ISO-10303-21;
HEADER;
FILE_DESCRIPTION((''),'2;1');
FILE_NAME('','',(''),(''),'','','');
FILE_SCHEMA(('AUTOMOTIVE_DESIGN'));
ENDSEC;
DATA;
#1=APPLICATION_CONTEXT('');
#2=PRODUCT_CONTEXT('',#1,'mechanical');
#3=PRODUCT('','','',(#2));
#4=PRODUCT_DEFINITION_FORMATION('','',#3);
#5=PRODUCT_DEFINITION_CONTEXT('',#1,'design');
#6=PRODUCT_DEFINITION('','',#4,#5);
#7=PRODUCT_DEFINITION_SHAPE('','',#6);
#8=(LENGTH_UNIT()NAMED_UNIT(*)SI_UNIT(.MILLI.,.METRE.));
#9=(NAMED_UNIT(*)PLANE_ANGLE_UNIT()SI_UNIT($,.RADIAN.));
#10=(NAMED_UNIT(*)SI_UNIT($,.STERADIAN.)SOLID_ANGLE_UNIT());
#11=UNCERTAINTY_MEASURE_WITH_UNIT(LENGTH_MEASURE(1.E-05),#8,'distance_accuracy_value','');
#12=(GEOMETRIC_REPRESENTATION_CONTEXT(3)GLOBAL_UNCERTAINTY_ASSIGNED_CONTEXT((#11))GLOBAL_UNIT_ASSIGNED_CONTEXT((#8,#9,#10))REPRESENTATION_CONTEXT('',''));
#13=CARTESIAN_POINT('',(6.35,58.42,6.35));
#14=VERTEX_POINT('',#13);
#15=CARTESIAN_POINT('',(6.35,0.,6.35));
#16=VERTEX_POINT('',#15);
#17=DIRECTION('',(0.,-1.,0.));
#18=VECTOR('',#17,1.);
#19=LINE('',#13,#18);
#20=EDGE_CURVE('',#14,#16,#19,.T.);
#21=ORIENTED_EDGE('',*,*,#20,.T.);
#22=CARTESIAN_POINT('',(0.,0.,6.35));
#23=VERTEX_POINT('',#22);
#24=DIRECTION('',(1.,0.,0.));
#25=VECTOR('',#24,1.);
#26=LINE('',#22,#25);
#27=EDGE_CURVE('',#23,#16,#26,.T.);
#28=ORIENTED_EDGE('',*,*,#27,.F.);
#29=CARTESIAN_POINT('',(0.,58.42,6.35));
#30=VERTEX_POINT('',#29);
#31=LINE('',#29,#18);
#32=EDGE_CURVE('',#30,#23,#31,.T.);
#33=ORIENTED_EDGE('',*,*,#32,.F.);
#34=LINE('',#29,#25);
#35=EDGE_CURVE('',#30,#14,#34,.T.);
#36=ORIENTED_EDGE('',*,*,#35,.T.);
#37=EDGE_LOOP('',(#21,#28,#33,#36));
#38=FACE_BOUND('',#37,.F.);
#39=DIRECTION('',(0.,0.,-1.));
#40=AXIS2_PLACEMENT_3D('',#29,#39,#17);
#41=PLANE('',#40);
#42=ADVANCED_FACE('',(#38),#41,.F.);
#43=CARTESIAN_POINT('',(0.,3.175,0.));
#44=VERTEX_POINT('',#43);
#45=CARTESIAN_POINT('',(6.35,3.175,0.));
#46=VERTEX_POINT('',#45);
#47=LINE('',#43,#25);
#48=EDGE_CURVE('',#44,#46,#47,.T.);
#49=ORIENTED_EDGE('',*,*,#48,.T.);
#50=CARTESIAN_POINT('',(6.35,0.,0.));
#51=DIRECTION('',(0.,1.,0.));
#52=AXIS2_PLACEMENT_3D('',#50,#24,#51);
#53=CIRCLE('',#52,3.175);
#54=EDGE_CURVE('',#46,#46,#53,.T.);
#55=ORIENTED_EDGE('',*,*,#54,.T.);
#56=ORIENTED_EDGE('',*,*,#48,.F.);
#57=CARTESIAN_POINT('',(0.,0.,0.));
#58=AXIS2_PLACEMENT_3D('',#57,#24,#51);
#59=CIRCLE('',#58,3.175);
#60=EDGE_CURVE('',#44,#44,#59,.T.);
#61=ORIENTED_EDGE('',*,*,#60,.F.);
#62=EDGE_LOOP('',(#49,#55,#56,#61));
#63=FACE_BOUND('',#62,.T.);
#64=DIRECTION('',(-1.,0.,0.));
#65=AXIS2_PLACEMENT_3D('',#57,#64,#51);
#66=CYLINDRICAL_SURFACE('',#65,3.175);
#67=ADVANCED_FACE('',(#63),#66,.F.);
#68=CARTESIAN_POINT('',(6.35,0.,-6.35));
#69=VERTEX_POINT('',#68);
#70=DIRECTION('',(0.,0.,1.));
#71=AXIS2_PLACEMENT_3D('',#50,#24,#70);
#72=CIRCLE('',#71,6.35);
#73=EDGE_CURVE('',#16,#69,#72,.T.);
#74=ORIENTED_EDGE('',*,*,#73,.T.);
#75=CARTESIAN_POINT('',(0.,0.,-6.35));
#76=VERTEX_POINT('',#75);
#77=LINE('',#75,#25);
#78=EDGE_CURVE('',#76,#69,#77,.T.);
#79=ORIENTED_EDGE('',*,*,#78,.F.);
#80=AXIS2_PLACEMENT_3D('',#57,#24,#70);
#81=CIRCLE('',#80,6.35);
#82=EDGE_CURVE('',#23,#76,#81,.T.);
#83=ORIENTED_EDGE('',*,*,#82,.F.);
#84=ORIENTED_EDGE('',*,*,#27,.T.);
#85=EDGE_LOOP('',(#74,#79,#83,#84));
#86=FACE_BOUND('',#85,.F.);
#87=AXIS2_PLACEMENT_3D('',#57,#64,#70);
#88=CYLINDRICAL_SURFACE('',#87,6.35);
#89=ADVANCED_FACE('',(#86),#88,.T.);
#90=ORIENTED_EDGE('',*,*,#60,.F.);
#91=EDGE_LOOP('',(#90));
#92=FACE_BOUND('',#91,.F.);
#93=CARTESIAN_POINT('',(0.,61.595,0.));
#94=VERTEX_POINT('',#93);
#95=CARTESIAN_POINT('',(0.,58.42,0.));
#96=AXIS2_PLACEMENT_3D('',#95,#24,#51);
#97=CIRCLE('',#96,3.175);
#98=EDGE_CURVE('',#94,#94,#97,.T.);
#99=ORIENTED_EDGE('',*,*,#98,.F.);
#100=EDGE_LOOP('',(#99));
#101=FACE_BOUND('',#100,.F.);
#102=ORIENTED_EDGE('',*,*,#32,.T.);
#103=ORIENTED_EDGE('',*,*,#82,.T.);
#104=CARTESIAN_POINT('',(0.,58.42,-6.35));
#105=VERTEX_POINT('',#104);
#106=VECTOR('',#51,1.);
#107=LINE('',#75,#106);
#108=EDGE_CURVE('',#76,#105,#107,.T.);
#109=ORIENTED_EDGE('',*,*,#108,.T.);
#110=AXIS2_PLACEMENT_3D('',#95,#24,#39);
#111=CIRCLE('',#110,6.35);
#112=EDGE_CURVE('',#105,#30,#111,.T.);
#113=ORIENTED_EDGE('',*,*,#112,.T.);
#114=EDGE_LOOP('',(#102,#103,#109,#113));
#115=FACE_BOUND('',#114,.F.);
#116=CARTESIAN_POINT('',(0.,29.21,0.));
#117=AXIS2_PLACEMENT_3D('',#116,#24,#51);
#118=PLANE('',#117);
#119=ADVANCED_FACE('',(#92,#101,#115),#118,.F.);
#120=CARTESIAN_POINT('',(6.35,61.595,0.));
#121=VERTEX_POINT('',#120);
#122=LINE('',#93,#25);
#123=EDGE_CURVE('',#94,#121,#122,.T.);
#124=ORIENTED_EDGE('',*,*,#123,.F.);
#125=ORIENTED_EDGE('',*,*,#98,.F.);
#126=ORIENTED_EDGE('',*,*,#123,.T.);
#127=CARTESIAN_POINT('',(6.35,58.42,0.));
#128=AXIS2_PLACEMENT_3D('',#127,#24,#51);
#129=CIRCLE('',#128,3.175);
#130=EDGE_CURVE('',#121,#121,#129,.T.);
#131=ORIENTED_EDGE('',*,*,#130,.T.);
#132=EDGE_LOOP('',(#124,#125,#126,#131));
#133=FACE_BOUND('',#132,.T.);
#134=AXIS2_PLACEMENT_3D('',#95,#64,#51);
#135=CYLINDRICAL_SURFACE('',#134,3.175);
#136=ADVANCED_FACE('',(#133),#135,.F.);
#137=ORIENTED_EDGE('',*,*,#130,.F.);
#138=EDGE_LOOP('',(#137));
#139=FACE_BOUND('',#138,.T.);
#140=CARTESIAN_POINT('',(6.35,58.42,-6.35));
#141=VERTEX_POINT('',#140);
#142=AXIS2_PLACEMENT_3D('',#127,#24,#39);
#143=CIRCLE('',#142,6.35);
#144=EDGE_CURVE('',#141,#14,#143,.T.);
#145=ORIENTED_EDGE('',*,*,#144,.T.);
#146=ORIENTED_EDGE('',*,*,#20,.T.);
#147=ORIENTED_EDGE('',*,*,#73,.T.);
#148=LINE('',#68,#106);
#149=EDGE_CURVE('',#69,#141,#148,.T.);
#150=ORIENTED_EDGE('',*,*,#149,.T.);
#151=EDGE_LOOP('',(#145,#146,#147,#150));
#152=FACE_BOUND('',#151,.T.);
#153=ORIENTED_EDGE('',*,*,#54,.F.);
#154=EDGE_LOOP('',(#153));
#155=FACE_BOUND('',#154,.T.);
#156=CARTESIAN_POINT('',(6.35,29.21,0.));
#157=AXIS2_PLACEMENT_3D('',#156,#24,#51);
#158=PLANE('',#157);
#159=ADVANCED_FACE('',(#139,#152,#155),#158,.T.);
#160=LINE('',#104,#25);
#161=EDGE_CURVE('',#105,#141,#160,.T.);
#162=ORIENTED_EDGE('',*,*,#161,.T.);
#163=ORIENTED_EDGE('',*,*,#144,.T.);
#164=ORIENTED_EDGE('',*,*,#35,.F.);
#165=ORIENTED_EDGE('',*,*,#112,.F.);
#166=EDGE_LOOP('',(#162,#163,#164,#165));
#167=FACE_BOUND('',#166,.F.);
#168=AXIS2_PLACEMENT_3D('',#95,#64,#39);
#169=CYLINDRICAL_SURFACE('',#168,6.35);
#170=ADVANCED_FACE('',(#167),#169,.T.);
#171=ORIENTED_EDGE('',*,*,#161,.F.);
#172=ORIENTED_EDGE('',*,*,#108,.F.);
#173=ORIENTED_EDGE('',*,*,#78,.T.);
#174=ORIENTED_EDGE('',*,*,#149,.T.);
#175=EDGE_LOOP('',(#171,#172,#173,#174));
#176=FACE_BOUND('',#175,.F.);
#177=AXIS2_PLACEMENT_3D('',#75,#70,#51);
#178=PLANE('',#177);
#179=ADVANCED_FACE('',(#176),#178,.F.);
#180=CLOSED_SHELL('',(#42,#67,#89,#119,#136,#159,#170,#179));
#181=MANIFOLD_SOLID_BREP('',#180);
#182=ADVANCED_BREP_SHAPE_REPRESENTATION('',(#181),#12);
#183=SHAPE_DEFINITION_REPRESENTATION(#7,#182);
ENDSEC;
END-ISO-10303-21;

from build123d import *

# Parameters (mm, degrees)
F0_R     = 3.175
F1_DEPTH = 6.35


with BuildPart() as f1:
    # F0 (on Right) → F1 (new body)
    with BuildSketch(Plane.YZ):
        with BuildLine():
            Line((58.42, 6.35), (0, 6.35))
            ThreePointArc((0, 6.35), (-6.35, 0), (0, -6.35))
            Line((0, -6.35), (58.42, -6.35))
            ThreePointArc((58.42, -6.35), (64.77, 0), (58.42, 6.35))
        make_face()
        Circle(F0_R, mode=Mode.SUBTRACT)
        with Locations((58.42, 0)):
            Circle(F0_R, mode=Mode.SUBTRACT)
    extrude(amount=F1_DEPTH)


solid = f1.part
